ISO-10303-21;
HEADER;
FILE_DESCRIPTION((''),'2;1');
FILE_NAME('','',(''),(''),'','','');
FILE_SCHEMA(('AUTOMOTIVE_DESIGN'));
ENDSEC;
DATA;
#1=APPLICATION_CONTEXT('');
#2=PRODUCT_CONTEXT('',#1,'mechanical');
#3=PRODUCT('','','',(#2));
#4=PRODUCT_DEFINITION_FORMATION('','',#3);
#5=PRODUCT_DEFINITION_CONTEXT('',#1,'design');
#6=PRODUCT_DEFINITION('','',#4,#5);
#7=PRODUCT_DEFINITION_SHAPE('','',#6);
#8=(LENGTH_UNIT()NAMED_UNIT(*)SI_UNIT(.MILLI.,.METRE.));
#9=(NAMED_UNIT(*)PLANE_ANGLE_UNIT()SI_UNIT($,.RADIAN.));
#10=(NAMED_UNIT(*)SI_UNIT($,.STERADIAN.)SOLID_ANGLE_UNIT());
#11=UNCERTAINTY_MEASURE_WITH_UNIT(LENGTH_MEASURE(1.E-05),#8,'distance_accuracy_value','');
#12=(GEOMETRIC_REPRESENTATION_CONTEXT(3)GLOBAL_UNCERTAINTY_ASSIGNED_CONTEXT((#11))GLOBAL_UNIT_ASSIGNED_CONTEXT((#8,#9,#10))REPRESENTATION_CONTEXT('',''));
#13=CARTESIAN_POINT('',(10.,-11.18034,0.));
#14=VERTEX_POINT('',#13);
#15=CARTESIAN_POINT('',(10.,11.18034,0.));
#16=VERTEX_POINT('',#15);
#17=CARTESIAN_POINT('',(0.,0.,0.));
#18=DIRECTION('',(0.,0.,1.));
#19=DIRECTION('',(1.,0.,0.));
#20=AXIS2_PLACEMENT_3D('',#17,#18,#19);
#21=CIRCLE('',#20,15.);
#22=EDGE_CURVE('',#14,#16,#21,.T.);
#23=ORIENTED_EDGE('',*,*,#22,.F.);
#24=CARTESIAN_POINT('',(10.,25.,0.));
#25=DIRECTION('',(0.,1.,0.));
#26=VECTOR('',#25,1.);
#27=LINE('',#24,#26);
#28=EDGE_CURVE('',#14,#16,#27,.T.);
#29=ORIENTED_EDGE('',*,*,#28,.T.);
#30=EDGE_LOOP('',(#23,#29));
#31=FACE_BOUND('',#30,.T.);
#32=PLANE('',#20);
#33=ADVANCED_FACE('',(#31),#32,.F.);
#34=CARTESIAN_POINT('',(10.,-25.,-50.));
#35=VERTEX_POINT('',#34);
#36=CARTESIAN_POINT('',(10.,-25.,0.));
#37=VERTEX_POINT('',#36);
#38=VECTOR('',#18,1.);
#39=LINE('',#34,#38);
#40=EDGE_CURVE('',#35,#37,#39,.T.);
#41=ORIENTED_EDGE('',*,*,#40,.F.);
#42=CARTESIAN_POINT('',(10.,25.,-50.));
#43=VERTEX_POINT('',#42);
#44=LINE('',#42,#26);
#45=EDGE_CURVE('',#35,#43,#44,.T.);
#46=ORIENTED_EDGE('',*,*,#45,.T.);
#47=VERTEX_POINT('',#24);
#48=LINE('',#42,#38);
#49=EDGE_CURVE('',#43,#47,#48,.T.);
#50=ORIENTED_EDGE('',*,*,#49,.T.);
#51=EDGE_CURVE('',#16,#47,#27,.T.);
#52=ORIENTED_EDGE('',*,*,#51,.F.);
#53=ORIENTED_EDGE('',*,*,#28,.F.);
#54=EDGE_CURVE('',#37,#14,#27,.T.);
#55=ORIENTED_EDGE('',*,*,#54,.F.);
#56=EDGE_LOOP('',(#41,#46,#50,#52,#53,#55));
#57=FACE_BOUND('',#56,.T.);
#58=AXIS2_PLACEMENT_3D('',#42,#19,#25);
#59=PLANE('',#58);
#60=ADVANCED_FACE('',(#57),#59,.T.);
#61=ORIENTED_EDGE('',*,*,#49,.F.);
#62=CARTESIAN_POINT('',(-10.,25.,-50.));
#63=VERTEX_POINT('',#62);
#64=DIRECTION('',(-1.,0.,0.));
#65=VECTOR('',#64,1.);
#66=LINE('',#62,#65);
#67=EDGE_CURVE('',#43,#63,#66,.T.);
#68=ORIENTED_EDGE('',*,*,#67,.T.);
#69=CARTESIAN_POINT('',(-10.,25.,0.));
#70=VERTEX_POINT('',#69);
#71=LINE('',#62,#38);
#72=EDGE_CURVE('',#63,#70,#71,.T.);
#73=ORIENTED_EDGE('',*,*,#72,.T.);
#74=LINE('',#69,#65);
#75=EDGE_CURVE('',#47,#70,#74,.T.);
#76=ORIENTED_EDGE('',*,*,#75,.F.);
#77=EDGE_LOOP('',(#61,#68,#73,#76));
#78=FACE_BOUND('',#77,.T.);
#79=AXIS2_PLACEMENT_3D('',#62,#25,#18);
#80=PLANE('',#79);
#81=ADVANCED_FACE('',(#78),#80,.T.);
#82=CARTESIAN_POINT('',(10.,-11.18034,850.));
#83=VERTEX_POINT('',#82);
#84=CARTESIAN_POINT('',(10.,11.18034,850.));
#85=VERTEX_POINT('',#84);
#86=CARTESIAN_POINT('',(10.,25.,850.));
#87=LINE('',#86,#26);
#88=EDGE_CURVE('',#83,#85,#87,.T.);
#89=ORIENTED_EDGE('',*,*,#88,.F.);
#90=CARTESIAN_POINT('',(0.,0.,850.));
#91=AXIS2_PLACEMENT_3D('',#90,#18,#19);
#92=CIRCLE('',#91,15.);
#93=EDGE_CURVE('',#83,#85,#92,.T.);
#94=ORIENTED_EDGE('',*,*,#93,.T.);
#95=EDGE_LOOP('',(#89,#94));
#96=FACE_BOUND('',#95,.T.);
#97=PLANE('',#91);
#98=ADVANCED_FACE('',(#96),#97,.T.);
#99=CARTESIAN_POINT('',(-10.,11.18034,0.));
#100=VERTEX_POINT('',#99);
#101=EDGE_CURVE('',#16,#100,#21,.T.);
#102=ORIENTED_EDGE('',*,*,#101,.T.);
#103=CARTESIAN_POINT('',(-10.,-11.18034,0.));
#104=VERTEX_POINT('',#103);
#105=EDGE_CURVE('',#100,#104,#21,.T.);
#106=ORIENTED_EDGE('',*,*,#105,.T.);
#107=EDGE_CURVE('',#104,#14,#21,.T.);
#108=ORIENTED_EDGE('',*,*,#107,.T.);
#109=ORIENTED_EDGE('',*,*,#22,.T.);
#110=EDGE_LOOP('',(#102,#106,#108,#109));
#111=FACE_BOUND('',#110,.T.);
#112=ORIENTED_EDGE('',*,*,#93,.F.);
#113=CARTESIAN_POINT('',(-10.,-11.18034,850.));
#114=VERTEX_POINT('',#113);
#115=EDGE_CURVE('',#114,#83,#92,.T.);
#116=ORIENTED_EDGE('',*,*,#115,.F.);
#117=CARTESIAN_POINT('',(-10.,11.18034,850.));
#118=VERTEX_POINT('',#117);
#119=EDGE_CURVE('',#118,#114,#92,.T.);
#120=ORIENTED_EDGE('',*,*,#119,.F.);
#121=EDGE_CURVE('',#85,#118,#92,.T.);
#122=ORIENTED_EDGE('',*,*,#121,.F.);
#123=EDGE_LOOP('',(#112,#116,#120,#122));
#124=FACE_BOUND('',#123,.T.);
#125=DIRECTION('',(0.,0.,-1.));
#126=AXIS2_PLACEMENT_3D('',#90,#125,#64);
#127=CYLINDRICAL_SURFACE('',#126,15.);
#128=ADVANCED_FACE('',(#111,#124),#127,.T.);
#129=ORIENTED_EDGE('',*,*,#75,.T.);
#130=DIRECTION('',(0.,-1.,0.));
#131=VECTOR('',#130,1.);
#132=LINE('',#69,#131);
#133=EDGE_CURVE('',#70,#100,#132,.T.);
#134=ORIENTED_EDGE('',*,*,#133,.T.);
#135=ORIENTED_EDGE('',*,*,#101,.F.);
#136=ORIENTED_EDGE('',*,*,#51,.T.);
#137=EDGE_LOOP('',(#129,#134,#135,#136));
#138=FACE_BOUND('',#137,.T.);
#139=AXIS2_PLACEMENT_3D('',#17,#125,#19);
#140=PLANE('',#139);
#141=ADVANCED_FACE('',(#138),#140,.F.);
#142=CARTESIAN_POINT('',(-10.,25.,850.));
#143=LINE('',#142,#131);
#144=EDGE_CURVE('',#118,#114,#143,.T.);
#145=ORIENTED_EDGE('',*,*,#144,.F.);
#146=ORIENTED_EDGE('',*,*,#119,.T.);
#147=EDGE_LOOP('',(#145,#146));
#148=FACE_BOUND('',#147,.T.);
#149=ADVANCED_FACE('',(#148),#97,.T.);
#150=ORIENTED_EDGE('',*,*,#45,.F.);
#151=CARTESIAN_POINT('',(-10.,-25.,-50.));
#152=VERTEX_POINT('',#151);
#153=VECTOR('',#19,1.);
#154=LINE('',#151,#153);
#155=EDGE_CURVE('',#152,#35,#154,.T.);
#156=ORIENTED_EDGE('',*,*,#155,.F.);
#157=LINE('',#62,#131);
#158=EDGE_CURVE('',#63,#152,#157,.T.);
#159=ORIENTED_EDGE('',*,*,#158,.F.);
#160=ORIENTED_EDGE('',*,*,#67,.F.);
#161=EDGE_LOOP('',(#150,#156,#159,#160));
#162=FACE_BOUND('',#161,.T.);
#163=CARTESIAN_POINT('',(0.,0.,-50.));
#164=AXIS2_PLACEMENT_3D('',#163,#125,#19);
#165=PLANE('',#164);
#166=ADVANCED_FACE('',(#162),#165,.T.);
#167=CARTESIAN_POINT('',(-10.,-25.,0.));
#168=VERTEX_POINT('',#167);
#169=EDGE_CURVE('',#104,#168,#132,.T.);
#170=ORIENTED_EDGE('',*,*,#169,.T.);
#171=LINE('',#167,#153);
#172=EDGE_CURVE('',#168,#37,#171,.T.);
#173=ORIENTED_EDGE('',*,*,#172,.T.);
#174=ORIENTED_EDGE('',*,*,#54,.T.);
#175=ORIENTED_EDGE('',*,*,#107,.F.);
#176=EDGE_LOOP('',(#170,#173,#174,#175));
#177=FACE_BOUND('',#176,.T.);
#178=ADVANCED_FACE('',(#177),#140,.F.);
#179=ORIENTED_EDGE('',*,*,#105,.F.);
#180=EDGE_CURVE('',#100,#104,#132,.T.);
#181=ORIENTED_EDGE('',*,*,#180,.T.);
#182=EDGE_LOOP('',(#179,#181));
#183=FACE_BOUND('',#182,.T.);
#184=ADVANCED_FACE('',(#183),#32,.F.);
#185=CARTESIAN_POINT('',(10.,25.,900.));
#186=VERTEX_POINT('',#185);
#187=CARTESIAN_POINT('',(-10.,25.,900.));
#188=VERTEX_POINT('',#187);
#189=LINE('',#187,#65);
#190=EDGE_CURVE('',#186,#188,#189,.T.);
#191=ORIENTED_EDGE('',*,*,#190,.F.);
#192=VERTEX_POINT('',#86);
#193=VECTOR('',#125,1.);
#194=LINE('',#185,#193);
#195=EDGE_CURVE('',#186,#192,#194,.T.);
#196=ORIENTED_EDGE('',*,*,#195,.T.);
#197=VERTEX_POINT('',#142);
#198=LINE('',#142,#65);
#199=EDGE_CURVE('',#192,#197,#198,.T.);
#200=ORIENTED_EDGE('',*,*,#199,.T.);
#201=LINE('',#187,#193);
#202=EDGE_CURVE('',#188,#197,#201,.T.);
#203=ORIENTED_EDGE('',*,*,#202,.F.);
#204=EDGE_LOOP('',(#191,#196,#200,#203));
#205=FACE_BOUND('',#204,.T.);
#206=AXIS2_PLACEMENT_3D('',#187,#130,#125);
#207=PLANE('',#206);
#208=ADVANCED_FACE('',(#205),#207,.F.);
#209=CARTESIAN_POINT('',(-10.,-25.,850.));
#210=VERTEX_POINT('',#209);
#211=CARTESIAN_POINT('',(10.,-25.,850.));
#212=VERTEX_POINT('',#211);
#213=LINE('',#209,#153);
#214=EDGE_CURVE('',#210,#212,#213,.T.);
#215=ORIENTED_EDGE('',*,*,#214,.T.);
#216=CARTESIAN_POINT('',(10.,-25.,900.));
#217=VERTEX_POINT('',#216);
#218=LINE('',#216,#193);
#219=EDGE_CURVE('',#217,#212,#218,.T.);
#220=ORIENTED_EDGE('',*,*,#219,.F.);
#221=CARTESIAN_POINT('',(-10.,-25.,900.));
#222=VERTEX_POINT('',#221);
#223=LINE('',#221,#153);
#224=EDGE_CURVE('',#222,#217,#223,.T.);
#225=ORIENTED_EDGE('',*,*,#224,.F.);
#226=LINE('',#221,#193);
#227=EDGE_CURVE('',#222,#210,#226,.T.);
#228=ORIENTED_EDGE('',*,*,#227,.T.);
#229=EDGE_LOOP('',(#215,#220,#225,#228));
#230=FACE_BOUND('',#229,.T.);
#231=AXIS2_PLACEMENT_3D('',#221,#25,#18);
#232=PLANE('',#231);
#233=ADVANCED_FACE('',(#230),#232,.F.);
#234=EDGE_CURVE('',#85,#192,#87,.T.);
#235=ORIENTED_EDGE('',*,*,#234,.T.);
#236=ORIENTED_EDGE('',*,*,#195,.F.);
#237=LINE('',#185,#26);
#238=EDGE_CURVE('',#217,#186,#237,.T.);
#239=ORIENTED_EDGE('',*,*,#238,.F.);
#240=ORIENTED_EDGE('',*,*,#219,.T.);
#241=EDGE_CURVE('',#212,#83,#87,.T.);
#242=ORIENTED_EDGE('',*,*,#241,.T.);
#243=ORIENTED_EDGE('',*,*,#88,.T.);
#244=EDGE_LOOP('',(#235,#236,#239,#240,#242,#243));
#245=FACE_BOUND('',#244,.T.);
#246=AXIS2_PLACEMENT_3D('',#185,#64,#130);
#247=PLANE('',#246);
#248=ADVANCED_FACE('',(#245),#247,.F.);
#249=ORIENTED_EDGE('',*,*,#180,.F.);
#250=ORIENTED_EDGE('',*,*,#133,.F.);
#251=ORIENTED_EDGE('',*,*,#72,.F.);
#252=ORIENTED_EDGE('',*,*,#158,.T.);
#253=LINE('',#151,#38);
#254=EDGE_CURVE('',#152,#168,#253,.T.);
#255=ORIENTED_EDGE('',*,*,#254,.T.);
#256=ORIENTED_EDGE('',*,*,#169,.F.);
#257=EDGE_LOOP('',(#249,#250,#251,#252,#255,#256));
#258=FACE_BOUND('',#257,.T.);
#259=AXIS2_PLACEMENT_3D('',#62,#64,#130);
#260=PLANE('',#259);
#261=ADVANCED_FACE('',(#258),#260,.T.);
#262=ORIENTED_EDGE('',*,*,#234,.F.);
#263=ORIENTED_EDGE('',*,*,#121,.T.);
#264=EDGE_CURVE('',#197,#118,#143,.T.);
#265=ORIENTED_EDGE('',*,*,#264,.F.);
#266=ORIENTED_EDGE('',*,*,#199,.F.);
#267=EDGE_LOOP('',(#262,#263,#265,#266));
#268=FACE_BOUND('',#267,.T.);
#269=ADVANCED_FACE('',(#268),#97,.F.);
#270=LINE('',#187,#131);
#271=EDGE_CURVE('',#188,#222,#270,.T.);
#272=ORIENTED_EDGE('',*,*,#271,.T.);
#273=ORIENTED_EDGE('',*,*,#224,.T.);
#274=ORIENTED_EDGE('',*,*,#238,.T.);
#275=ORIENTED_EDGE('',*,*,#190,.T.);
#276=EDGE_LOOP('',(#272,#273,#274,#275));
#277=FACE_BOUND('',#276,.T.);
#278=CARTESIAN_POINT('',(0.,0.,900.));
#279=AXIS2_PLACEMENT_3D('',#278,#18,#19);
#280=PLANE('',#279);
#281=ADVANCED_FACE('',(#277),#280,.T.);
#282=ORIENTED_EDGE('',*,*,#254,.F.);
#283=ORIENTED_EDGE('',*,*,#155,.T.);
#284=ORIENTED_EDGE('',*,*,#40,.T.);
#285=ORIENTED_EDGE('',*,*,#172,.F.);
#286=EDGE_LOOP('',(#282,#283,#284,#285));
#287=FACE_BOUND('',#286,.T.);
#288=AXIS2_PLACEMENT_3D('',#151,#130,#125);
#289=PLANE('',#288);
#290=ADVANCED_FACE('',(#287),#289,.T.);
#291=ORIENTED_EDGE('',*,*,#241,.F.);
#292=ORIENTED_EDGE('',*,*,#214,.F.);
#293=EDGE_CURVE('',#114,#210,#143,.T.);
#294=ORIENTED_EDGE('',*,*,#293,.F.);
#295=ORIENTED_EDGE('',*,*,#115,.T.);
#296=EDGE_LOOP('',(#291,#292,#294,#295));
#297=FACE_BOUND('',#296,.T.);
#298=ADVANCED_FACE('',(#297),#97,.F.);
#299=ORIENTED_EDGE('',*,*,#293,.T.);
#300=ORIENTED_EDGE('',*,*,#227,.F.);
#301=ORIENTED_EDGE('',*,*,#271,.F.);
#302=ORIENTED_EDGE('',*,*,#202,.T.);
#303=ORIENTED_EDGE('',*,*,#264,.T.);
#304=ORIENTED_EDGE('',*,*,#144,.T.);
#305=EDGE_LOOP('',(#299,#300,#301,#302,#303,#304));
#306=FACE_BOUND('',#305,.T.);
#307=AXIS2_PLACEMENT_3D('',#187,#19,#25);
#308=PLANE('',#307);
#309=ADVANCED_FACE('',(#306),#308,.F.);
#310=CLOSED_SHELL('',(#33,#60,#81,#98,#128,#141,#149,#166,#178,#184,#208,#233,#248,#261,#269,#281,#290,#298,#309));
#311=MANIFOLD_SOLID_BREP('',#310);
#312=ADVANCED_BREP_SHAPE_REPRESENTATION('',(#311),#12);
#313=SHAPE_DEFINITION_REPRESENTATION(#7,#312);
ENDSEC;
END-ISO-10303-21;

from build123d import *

# Parameters (mm, degrees)
SKETCH1_R           = 15
BOSS_EXTRUDE1_DEPTH = 850
SKETCH3_W           = 20
SKETCH3_H           = 50
BOSS_EXTRUDE2_DEPTH = 50


with BuildPart() as part:
    # Sketch1 → Boss-Extrude1 (new body)
    with BuildSketch(Plane.XY):
        Circle(SKETCH1_R)
    extrude(amount=BOSS_EXTRUDE1_DEPTH)

    # Sketch3 → Boss-Extrude2 (add)
    with BuildSketch(Plane.XY.offset(850)):
        Rectangle(SKETCH3_W, SKETCH3_H)
    boss_extrude2 = extrude(amount=BOSS_EXTRUDE2_DEPTH)

    # Mirror1: Boss-Extrude2 across plane
    add(boss_extrude2.mirror(Plane(origin=(0, 0, 425), x_dir=(1, 0, 0), z_dir=(0, 0, -1))))


solid = part.part
